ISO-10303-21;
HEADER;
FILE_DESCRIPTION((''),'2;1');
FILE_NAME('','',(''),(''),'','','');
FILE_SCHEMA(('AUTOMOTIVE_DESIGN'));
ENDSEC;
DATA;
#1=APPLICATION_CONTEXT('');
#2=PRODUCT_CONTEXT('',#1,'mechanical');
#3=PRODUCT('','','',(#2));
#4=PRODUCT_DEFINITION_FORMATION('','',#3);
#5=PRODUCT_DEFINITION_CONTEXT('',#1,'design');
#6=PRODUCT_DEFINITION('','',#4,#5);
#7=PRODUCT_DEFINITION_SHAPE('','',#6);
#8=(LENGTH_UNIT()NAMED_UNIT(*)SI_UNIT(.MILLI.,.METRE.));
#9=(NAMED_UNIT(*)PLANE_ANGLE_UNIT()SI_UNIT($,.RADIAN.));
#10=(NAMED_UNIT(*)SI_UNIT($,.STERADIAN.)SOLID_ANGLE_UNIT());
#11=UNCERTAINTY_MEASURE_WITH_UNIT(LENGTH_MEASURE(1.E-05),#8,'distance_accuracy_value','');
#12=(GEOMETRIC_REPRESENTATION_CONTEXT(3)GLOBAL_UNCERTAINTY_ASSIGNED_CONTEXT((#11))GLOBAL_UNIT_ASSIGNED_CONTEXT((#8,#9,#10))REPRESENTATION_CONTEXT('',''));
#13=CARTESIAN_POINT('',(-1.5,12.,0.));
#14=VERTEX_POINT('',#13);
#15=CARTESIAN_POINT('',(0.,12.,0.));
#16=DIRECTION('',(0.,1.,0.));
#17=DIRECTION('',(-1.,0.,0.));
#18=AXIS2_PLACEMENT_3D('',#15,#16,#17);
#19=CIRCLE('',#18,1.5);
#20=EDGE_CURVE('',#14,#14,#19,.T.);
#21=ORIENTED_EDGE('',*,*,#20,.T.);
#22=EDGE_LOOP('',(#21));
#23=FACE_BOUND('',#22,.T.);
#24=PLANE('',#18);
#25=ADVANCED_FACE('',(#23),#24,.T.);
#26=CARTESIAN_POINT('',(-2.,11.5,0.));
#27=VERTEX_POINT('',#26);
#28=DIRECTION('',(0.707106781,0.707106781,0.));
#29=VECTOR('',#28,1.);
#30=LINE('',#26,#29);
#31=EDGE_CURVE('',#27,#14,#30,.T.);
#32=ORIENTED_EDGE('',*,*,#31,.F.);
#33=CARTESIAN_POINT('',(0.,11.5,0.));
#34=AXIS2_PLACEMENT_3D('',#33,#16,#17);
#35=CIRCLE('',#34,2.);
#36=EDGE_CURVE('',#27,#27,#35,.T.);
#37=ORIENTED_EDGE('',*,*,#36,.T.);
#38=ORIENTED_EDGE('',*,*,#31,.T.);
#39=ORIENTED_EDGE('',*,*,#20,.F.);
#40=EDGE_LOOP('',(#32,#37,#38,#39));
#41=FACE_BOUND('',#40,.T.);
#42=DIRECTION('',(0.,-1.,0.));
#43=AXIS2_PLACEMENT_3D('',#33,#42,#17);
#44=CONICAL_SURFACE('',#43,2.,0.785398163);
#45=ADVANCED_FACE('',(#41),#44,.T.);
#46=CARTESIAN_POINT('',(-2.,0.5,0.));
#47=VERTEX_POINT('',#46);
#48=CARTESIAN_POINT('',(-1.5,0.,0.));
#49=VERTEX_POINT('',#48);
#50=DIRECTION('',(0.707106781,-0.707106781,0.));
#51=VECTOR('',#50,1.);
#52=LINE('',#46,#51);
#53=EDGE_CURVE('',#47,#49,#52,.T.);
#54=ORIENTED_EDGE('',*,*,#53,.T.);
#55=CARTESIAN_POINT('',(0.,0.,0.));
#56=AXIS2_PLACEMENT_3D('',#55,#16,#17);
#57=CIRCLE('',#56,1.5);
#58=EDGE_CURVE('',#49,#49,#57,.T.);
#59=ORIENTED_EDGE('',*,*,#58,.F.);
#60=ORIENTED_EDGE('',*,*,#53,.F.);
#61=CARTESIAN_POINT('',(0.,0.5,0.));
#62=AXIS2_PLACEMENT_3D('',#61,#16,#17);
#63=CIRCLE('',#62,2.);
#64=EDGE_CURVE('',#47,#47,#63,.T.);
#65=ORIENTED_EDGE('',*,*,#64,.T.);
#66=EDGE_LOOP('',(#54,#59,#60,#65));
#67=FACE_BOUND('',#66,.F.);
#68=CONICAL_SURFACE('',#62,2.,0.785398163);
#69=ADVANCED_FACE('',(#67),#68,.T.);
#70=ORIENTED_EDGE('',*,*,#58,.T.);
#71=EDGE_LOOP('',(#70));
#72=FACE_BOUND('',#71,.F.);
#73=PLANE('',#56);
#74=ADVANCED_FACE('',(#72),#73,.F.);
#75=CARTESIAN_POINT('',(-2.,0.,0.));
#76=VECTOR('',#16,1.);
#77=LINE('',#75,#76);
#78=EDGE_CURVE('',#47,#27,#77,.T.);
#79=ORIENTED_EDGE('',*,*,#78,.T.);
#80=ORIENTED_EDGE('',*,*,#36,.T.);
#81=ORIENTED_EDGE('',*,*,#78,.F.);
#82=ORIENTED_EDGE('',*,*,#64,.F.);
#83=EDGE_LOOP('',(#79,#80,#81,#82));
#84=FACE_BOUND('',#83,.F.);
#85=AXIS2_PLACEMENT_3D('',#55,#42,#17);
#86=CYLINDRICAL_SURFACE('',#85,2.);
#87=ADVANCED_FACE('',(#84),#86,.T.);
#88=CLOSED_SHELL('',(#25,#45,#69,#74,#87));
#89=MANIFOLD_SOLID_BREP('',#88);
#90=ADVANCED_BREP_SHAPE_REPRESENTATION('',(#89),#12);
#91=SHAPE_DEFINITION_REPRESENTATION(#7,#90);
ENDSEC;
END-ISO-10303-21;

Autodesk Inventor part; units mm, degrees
ref_plane "YZ Plane" through (0, 0, 0) normal (1, 0, 0) x (0, 1, 0)
ref_plane "XZ Plane" through (0, 0, 0) normal (0, 1, 0) x (-1, 0, 0)
ref_plane "XY Plane" through (0, 0, 0) normal (0, 0, 1) x (1, 0, 0)
sketch "Sketch1" plane through (0, 0, 0) normal (0, 1, 0) x (-1, 0, 0)
  circle A0 centre (0, 0) radius 2
  dimension "d0" = 4
extrude "Extrusion1" add sketch "Sketch1" along normal blind 12
thread "Thread1" size "M4x0.7" class "6g" standard "ANSI Metric M Profile" full length
chamfer "Chamfer1" distance 0.5 angle 45 2 edges at (2, 12, 0) (2, 0, 0)
properties part number "M4_Rod_12mm"
